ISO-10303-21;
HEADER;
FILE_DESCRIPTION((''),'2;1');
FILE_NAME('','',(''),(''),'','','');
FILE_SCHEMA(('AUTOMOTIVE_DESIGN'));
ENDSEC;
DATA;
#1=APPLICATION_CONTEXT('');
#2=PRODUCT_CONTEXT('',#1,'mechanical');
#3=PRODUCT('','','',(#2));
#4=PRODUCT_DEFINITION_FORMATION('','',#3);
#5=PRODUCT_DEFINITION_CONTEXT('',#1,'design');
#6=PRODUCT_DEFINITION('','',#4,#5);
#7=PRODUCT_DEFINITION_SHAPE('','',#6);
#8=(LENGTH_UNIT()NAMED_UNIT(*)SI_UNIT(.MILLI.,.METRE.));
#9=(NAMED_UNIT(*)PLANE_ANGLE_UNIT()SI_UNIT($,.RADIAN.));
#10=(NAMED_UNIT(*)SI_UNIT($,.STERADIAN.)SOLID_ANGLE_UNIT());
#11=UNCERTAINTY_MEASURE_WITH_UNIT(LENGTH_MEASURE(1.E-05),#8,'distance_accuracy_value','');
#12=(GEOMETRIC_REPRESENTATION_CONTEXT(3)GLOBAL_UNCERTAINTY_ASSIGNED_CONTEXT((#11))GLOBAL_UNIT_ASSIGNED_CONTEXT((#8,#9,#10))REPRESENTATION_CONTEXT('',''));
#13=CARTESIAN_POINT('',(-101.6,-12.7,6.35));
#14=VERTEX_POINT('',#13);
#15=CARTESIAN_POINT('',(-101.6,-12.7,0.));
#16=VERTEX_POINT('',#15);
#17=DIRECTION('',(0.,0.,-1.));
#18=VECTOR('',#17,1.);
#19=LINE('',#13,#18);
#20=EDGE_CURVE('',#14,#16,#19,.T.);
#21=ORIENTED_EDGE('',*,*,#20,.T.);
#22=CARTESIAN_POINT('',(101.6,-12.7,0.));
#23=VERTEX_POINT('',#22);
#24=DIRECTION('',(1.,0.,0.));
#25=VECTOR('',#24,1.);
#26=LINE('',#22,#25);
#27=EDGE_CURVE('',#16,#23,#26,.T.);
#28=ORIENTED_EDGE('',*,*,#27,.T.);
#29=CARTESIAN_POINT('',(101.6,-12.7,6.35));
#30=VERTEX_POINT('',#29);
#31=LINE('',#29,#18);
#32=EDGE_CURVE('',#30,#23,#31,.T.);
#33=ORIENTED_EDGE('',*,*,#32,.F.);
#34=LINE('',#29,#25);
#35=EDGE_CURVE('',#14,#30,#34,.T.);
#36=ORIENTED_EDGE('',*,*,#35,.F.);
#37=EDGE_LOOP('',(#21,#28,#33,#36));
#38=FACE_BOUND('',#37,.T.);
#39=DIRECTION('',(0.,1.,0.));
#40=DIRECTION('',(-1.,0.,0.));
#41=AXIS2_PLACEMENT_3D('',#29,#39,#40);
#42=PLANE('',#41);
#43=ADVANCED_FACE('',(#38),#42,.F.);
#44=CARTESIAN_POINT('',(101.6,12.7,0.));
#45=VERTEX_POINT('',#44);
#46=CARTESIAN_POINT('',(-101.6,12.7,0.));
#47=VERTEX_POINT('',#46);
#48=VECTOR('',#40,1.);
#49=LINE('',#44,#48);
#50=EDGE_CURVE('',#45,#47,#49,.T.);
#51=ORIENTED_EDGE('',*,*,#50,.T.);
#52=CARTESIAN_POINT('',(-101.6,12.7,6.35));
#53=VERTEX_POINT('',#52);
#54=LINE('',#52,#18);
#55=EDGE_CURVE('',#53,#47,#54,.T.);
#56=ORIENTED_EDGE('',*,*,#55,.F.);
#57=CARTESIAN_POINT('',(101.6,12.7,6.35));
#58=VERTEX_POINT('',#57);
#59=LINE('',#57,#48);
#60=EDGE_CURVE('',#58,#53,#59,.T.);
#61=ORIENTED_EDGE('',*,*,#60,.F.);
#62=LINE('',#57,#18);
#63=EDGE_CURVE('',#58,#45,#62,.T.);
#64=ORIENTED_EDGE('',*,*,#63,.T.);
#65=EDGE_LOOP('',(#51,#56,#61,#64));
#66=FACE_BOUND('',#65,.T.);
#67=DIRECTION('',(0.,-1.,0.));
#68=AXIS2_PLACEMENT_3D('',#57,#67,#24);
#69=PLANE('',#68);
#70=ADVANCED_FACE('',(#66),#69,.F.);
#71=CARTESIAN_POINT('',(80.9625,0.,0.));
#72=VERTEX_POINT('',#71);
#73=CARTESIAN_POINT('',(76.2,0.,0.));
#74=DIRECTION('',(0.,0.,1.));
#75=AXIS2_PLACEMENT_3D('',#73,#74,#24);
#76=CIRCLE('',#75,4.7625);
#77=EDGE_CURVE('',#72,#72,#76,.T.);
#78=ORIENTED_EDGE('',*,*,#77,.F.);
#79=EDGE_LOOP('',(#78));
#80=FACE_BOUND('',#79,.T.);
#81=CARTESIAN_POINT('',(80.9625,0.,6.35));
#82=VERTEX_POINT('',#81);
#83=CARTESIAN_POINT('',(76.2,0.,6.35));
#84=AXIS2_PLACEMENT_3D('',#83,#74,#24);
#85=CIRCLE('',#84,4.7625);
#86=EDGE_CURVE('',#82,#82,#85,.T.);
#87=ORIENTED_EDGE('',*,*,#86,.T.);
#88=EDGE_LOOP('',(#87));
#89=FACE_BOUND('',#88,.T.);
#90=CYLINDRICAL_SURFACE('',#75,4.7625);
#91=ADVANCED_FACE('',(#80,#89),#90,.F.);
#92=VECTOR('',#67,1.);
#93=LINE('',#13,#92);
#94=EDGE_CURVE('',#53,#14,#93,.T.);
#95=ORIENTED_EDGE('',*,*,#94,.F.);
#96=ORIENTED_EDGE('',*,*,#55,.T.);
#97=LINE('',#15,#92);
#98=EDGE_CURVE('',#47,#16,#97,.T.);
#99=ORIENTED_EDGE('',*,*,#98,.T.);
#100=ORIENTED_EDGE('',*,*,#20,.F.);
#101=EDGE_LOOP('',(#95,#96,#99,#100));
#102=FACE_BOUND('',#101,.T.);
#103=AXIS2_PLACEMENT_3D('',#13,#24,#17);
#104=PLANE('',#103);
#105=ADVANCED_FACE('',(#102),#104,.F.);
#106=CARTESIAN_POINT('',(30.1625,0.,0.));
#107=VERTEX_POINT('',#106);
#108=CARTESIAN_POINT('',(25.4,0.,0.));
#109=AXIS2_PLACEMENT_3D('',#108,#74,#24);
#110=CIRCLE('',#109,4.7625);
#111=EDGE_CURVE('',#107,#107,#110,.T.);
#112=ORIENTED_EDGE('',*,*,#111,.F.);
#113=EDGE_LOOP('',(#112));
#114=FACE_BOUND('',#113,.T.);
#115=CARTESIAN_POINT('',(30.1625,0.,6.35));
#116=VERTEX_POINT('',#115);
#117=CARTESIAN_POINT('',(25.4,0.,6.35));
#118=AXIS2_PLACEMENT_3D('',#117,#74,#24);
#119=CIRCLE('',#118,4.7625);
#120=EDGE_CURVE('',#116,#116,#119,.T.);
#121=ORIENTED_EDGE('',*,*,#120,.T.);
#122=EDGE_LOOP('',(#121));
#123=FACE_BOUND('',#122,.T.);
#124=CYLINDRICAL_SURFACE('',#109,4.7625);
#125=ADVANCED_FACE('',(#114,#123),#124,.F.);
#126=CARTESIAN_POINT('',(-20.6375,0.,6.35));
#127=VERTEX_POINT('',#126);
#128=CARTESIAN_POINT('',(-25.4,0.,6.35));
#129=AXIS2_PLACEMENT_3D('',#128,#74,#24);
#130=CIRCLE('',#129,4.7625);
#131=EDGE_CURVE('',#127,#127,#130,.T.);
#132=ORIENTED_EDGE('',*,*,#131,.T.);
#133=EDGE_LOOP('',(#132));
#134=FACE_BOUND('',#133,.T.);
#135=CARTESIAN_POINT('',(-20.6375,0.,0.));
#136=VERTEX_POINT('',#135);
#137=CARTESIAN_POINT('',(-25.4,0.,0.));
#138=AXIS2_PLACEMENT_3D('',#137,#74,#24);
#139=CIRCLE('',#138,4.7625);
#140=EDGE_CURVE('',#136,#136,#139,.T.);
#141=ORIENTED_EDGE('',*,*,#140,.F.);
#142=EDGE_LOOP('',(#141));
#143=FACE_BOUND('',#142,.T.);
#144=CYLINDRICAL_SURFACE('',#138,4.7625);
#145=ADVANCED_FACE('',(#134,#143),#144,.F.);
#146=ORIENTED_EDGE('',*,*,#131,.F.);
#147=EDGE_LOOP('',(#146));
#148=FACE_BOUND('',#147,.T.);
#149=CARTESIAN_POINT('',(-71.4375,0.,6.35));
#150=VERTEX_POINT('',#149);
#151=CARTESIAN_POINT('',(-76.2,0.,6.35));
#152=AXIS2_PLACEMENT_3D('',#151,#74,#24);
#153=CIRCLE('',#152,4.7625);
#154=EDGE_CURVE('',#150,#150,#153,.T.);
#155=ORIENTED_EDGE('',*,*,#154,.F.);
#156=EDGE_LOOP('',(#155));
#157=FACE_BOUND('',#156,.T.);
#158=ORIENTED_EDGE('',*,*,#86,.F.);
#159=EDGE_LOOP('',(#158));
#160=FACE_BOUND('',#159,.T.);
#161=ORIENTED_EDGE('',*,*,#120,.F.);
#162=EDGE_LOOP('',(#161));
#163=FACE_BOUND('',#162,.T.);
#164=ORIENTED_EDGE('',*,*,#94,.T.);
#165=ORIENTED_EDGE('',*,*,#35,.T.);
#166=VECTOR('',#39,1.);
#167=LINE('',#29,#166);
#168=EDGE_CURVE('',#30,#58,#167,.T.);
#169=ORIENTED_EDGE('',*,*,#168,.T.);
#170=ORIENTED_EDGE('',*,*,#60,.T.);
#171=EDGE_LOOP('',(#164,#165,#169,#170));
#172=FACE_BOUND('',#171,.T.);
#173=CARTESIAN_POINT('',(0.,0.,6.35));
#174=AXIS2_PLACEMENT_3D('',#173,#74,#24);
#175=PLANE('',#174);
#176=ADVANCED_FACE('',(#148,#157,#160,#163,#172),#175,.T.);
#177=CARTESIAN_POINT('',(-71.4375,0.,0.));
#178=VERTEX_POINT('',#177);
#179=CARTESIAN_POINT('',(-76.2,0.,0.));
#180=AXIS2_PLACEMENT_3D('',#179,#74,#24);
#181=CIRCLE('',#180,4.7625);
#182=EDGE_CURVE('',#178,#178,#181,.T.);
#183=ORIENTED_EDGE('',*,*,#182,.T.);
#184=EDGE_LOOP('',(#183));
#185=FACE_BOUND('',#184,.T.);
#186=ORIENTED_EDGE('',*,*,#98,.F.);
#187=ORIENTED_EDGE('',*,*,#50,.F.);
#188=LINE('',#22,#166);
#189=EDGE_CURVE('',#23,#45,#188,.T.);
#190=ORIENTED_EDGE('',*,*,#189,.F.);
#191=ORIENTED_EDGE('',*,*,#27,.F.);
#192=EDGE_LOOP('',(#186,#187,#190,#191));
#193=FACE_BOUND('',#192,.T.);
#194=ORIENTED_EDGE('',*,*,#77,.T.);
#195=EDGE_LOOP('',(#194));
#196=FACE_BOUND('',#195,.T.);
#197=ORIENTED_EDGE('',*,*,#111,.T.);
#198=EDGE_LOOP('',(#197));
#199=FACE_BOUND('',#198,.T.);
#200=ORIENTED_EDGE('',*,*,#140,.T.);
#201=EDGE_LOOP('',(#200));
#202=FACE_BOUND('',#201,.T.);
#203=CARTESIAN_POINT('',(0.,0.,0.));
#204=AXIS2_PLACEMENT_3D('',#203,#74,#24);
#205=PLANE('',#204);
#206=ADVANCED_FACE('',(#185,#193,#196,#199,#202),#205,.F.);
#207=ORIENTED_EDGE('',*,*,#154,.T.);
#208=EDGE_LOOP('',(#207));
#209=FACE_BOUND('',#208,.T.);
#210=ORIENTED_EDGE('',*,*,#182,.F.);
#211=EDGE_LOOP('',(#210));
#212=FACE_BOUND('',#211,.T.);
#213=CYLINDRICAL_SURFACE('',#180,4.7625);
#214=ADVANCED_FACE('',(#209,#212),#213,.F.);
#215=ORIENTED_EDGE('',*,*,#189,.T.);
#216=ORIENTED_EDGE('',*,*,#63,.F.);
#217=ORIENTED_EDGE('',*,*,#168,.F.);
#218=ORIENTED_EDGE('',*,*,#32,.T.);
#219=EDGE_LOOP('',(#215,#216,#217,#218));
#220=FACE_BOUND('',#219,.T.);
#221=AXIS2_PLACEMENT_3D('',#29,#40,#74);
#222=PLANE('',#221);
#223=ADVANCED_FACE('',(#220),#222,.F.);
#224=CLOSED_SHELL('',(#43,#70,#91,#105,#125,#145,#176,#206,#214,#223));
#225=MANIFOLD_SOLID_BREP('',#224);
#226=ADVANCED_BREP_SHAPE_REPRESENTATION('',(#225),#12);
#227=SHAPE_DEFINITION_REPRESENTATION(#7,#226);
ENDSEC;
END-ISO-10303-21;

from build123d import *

# Parameters (mm, degrees)
SKETCH1_W           = 203.2
SKETCH1_H           = 25.4
BOSS_EXTRUDE1_DEPTH = 6.35
SKETCH2_R           = 4.7625
CUT_EXTRUDE1_DEPTH  = 7.35
LPATTERN1_COUNT     = 4
LPATTERN1_PITCH     = 50.8


with BuildPart() as part:
    # Sketch1 → Boss-Extrude1 (new body)
    with BuildSketch(Plane.XY):
        Rectangle(SKETCH1_W, SKETCH1_H)
    extrude(amount=BOSS_EXTRUDE1_DEPTH)

    # Sketch2 → Cut-Extrude1 (cut, through all)
    with BuildSketch(Plane.XY.offset(6.35)):
        with Locations((-76.2, 0)):
            Circle(SKETCH2_R)
    cut_extrude1 = extrude(amount=-CUT_EXTRUDE1_DEPTH, mode=Mode.SUBTRACT)

    # LPattern1: Cut-Extrude1 ×4
    with Locations(*[(i * LPATTERN1_PITCH, 0, 0) for i in range(1, LPATTERN1_COUNT)]):
        add(cut_extrude1, mode=Mode.SUBTRACT)


solid = part.part
